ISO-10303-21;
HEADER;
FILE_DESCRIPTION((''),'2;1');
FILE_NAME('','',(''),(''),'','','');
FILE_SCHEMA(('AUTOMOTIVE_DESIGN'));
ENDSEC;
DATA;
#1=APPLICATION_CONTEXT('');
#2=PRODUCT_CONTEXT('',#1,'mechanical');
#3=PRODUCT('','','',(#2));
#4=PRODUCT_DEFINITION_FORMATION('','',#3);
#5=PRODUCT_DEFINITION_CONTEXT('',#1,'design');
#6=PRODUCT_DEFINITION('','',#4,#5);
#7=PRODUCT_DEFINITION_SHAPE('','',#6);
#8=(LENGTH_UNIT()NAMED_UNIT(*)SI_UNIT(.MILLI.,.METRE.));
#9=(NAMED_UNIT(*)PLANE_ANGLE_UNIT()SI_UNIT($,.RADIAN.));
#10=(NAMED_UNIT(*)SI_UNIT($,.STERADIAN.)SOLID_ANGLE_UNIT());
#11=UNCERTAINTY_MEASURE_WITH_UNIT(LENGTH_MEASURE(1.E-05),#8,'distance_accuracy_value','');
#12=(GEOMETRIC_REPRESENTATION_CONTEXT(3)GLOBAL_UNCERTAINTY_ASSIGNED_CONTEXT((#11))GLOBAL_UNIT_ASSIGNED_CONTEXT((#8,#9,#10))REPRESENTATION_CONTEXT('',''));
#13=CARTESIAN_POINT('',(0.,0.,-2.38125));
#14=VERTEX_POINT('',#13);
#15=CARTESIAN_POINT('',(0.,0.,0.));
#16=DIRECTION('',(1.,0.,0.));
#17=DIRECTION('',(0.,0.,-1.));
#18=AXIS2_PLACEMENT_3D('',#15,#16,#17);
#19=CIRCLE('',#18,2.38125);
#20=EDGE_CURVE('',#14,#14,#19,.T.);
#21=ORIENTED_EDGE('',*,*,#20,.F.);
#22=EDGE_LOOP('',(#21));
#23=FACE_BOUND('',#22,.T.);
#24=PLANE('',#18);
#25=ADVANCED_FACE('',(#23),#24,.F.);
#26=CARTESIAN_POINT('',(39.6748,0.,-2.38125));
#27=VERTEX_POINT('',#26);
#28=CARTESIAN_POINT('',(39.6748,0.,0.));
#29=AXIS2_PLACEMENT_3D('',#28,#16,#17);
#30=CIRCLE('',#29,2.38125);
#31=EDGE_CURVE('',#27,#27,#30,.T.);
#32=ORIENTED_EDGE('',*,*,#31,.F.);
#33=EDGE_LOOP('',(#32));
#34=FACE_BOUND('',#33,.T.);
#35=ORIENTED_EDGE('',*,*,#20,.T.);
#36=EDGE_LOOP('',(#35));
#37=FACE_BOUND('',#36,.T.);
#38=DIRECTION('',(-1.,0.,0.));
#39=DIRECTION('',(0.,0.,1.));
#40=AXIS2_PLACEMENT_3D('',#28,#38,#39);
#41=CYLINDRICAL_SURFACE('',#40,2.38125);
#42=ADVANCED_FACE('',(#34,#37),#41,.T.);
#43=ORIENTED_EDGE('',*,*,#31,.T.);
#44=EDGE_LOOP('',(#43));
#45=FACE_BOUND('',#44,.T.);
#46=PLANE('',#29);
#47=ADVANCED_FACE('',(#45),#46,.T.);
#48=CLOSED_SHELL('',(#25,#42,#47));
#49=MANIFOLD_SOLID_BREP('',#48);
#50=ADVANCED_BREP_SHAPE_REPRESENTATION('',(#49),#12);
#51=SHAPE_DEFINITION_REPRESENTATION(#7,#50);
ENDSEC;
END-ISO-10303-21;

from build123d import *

# Parameters (mm, degrees)
SKETCH1_R           = 2.38125
BOSS_EXTRUDE1_DEPTH = 39.6748


with BuildPart() as part:
    # Sketch1 → Boss-Extrude1 (new body)
    with BuildSketch(Plane(origin=(0, 0, 0), x_dir=(0, 0, -1), z_dir=(1, 0, 0))):
        Circle(SKETCH1_R)
    extrude(amount=BOSS_EXTRUDE1_DEPTH)


solid = part.part
